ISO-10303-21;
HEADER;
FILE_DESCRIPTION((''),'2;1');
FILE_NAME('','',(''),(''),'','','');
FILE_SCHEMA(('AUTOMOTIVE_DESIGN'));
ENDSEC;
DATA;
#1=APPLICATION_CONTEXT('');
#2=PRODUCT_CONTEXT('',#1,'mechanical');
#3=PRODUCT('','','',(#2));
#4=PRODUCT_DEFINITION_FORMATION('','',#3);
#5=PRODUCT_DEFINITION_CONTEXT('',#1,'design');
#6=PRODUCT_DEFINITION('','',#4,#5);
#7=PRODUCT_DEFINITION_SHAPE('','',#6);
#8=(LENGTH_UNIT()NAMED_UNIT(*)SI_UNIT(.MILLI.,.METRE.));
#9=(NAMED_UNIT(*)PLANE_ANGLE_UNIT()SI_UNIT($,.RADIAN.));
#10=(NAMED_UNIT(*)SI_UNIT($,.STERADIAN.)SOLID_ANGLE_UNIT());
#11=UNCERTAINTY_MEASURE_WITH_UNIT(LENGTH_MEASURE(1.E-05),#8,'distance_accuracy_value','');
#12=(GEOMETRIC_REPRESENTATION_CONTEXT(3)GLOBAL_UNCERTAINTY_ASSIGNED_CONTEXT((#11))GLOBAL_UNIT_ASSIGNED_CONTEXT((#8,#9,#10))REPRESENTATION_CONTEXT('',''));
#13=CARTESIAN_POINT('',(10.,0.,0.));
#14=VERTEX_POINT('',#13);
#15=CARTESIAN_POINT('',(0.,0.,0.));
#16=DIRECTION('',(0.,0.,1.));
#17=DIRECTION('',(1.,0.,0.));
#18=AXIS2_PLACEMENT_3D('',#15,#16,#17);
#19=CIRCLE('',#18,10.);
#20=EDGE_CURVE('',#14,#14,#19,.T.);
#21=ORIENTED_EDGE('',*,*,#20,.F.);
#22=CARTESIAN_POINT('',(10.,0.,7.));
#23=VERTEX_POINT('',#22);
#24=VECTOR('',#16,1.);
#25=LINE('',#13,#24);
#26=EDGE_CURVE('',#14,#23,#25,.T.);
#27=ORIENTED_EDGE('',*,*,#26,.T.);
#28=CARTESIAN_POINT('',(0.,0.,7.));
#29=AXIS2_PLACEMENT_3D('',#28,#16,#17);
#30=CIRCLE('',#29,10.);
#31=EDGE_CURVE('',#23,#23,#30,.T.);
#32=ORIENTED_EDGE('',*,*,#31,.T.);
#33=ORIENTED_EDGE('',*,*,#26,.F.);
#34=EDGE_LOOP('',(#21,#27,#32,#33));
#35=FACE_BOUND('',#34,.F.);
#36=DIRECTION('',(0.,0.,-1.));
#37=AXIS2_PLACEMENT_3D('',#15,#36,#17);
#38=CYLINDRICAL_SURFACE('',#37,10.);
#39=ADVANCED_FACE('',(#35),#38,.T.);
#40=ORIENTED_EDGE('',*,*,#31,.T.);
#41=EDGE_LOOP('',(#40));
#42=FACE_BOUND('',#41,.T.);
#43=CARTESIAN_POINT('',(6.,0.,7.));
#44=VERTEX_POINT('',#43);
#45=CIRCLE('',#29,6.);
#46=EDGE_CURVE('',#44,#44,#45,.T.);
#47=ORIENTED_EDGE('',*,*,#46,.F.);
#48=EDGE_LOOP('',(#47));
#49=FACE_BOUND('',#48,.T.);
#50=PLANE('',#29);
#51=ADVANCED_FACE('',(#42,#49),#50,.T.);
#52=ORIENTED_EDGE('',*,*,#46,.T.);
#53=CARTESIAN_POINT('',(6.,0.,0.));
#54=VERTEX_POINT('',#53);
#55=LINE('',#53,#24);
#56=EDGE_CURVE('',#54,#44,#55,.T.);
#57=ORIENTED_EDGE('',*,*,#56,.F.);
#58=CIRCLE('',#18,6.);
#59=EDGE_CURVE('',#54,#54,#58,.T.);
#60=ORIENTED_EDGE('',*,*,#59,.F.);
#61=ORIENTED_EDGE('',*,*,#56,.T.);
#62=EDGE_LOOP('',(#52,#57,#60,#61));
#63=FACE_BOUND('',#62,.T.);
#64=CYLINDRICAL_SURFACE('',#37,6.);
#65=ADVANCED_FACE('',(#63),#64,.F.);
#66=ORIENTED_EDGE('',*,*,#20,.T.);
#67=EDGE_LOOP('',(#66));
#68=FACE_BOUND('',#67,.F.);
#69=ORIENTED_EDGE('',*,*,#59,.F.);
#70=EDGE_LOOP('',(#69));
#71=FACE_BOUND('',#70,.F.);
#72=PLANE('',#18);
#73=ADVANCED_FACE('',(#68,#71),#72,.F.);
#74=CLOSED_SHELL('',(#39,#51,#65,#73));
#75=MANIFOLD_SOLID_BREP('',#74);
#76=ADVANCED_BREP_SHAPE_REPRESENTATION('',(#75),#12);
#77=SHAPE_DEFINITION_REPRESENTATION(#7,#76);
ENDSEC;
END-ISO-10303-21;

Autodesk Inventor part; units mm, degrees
ref_plane "YZ Plane" through (0, 0, 0) normal (1, 0, 0) x (0, 1, 0)
ref_plane "XZ Plane" through (0, 0, 0) normal (0, 1, 0) x (-1, 0, 0)
ref_plane "XY Plane" through (0, 0, 0) normal (0, 0, 1) x (1, 0, 0)
sketch "Skizze1" plane through (0, 0, 0) normal (0, 0, 1) x (1, 0, 0)
  circle A0 centre (0, 0) radius 6
  circle A1 centre (0, 0) radius 10
  dimension "d0" = 12
  dimension "d1" = 20
extrude "Extrusion1" add sketch "Skizze1" along normal blind 7
properties part number "dichtung" material "PBT-Kunststoff"
